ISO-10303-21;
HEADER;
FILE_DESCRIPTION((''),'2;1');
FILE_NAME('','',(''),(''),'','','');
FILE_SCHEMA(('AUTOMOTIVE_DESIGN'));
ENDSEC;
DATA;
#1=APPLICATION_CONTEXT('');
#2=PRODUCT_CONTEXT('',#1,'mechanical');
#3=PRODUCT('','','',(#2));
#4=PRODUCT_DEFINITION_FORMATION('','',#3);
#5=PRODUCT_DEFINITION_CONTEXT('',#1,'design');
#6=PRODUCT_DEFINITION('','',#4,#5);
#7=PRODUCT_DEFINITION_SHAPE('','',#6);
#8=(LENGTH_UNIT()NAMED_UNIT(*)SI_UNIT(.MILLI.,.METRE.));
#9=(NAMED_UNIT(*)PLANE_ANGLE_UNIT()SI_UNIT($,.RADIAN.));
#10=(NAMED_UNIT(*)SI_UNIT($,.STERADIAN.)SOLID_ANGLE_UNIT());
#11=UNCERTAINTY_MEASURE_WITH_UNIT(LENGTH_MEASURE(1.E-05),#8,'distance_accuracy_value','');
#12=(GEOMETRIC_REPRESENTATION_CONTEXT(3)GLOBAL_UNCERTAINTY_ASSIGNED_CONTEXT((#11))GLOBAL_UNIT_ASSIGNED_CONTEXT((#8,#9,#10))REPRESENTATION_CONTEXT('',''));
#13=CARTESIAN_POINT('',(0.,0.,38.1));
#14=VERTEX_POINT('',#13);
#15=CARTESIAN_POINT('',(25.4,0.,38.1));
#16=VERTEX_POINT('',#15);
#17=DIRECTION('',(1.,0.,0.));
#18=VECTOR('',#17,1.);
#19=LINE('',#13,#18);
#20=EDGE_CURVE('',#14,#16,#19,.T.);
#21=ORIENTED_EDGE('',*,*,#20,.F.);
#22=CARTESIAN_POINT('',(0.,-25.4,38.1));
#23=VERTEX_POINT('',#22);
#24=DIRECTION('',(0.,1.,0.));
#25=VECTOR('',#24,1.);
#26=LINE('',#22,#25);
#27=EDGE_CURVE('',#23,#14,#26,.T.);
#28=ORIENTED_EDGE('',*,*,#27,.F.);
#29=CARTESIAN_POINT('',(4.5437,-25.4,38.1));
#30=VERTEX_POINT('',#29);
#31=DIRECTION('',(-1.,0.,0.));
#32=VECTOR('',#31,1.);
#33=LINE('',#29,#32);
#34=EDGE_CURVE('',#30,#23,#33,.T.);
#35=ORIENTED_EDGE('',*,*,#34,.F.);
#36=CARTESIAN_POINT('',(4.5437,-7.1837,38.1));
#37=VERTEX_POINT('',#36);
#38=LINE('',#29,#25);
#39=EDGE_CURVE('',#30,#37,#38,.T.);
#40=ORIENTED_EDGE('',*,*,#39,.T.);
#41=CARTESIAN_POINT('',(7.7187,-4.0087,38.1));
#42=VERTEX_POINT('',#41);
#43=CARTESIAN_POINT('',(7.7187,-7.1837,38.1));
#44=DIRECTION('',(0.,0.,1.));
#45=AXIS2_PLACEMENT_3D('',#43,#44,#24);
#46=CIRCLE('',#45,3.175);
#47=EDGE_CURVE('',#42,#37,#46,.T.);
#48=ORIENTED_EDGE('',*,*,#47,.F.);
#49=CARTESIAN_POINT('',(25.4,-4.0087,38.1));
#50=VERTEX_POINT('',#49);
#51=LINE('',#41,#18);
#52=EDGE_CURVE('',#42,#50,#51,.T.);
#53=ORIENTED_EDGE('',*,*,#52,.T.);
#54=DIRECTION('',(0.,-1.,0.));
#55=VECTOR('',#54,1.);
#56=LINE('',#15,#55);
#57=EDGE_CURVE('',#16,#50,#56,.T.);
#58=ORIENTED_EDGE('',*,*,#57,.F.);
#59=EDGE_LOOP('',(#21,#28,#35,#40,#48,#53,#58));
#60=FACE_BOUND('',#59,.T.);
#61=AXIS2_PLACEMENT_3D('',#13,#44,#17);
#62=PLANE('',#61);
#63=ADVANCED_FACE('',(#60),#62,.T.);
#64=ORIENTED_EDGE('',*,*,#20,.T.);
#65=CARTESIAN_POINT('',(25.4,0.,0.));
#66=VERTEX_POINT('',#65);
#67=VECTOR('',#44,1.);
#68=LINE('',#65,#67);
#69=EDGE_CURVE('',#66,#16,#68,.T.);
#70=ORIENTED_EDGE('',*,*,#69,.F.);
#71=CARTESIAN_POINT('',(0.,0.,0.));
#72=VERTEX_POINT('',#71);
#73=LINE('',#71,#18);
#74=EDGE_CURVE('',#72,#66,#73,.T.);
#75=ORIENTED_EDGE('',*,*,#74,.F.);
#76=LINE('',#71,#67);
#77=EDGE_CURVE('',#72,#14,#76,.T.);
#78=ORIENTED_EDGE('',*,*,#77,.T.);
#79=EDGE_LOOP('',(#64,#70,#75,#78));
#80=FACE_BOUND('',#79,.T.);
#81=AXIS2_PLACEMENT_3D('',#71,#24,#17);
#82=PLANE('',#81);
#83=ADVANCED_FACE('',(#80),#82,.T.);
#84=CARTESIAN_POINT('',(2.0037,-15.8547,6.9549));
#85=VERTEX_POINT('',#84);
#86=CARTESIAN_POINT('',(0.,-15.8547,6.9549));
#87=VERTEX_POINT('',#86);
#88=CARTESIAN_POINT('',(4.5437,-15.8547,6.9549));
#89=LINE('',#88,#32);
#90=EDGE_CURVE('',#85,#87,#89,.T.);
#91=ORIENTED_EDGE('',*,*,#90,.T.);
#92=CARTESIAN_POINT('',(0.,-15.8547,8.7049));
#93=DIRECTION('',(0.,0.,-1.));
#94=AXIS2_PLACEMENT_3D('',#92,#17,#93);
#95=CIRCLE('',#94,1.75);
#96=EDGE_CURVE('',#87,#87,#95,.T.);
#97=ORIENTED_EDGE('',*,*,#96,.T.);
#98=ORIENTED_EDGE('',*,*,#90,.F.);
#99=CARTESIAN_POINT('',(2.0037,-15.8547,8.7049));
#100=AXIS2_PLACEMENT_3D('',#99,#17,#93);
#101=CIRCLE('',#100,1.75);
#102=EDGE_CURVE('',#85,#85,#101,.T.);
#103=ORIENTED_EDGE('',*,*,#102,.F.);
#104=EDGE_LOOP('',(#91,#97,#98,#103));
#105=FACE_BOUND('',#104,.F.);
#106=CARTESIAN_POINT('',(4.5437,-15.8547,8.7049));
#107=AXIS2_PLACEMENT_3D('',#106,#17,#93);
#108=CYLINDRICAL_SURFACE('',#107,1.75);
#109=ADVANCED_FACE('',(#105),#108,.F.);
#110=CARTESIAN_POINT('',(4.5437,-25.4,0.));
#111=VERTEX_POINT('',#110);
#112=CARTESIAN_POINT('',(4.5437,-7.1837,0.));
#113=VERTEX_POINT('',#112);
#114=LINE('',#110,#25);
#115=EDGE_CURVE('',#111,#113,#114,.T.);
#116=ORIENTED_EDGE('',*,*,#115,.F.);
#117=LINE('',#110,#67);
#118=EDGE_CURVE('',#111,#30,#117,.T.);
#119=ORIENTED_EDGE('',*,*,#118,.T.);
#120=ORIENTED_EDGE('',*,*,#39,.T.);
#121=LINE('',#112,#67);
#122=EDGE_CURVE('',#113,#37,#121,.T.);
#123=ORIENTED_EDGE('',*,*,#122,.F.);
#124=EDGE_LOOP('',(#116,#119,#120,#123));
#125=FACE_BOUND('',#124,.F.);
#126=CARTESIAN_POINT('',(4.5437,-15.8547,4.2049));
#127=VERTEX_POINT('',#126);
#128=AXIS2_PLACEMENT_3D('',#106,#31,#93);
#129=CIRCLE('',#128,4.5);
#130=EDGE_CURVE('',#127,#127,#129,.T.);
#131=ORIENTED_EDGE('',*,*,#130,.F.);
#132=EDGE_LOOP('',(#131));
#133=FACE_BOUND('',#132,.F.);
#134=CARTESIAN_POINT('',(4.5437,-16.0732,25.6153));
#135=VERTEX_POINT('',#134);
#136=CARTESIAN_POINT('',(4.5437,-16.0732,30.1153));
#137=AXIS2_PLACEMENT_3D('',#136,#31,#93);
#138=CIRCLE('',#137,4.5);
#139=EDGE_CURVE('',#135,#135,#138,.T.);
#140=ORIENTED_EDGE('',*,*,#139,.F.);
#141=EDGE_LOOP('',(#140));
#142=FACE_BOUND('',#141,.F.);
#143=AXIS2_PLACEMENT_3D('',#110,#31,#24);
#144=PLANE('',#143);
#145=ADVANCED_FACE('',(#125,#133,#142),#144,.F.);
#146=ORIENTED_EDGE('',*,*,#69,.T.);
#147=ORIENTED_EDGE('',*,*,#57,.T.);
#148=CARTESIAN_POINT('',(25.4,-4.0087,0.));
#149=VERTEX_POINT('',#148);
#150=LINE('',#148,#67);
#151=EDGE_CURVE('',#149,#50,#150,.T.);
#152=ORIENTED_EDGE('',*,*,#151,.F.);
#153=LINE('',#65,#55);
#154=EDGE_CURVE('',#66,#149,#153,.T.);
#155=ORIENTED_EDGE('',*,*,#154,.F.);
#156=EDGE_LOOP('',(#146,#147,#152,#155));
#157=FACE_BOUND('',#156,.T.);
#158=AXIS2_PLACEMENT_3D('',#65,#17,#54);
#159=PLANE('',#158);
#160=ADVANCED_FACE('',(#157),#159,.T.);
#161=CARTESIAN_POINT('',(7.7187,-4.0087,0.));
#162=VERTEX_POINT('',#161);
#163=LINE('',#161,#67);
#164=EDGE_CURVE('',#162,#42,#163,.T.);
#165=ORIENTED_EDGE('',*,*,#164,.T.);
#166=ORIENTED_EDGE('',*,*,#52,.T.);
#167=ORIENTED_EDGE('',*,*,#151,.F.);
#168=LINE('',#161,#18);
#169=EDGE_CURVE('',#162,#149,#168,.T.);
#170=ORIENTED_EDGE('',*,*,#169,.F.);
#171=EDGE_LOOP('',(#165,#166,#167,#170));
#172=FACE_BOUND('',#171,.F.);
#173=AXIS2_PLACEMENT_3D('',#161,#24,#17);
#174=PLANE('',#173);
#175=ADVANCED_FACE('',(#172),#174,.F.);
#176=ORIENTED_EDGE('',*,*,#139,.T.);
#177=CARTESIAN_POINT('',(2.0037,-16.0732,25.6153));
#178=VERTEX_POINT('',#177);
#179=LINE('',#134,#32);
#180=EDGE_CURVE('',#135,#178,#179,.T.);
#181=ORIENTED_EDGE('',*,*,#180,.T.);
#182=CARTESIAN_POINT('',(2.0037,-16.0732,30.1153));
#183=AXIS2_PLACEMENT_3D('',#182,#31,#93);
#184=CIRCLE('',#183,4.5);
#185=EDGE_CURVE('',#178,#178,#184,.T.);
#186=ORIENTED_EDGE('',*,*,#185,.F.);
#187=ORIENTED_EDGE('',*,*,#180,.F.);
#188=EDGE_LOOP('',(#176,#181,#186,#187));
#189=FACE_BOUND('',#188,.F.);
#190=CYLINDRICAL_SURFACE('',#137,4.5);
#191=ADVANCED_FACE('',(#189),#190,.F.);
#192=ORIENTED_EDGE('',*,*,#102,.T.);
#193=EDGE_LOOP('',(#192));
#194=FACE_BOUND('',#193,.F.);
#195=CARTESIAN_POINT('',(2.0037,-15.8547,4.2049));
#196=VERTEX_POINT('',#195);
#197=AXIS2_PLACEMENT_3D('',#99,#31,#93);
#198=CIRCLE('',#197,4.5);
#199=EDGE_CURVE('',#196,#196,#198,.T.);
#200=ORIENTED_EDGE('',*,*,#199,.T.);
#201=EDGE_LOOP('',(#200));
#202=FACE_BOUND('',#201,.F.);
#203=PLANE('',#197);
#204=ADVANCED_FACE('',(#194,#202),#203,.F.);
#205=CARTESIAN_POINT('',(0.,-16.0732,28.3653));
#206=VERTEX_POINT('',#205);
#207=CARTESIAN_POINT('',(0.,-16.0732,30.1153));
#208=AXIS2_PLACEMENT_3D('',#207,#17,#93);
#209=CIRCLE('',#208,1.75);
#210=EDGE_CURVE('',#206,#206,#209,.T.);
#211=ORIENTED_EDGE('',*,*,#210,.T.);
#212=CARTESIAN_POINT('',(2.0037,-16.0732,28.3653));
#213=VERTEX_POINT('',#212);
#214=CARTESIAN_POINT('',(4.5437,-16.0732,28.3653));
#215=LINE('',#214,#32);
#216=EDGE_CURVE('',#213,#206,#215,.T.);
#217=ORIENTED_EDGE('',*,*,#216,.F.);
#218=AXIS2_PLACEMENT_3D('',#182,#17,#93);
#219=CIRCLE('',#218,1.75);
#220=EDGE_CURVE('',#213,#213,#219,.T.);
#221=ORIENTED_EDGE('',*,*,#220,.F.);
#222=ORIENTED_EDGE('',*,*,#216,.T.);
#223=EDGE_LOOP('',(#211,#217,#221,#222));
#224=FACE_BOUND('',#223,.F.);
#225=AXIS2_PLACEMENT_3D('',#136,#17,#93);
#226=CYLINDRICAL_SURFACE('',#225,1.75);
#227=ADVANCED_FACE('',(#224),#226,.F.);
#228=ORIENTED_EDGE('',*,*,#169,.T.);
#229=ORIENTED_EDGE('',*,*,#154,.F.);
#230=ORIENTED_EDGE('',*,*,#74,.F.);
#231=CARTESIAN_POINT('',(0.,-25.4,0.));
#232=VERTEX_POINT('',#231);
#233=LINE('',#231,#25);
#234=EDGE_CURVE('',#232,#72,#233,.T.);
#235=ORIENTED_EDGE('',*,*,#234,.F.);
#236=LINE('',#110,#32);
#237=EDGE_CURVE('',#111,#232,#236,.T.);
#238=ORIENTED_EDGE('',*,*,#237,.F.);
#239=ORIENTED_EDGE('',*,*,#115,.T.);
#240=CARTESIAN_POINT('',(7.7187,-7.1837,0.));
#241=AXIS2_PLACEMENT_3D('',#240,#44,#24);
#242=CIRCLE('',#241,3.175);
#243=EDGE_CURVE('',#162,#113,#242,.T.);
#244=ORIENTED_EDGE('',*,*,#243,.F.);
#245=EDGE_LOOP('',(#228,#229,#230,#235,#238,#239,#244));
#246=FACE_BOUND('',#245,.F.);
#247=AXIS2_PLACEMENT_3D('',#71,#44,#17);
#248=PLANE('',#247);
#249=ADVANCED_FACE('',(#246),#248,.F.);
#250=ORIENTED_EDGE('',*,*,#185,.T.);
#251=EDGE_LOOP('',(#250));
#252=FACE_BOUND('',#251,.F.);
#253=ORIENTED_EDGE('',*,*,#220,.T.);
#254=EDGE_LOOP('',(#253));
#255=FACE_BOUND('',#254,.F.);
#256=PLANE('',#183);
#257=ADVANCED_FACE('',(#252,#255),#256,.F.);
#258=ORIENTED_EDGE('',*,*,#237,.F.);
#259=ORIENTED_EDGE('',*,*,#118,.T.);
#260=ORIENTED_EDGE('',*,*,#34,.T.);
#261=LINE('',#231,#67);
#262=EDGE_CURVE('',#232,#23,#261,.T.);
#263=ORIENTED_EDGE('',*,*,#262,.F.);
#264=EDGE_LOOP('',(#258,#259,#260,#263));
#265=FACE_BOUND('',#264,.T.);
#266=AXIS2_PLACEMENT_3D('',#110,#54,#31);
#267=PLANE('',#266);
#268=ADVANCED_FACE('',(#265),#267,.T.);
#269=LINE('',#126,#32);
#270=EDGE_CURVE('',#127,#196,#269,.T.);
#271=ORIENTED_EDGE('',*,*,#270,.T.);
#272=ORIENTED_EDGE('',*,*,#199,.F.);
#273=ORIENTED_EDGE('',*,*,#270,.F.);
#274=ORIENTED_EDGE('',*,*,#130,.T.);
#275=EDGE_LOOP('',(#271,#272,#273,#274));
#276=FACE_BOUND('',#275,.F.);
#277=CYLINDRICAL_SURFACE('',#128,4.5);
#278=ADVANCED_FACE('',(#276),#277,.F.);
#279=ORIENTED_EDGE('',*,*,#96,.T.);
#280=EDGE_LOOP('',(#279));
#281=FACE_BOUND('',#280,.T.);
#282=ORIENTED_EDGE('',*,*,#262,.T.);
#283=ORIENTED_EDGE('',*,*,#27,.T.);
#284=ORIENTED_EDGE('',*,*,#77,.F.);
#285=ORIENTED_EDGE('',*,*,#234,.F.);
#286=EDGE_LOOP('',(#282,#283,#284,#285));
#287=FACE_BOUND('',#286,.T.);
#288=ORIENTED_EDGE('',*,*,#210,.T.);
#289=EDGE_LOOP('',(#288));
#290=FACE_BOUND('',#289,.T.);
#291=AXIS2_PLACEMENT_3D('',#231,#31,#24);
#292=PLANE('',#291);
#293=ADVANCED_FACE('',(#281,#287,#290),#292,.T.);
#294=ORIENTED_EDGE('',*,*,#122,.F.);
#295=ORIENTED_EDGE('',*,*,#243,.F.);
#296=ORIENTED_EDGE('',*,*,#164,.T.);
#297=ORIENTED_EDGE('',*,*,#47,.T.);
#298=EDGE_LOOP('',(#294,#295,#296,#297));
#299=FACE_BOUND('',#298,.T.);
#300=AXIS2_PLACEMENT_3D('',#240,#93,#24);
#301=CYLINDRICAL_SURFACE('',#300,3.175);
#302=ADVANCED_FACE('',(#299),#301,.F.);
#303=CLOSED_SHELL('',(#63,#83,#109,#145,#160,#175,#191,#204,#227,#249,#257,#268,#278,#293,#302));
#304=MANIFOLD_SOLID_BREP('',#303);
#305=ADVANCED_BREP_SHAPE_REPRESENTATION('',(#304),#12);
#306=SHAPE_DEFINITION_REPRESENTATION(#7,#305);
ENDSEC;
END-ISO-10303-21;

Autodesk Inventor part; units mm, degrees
ref_plane "YZ Plane" through (0, 0, 0) normal (1, 0, 0) x (0, 1, 0)
ref_plane "XZ Plane" through (0, 0, 0) normal (0, 1, 0) x (-1, 0, 0)
ref_plane "XY Plane" through (0, 0, 0) normal (0, 0, 1) x (1, 0, 0)
sketch "Sketch1" plane through (0, 0, 0) normal (0, 0, 1) x (1, 0, 0)
  line L0 (0, 0) -> (25.4, 0)
  line L1 (25.4, 0) -> (25.4, -4.0087)
  line L2 (0, -25.4) -> (0, 0)
  line L3 (4.5437, -25.4) -> (0, -25.4)
  line L4 (4.5437, -25.4) -> (4.5437, -7.1837)
  line L5 (7.7187, -4.0087) -> (25.4, -4.0087)
  arc A0 (7.7187, -4.0087) -> (4.5437, -7.1837) centre (7.7187, -7.1837) ccw
  dimension "d3" = 3.175
extrude "Extrusion1" add sketch "Sketch1" along normal blind 38.1
sketch "Sketch2" plane through (4.5437, -25.4, 0) normal (1, 0, 0) x (0, 0, -1)
  circle A0 centre (-30.1153, 9.3268) radius 1.75
  circle A1 centre (-8.7049, 9.5453) radius 1.75
  point P0 (0, 25.4)
  dimension "d6" = 3.5
  dimension "d7" = 3.5
extrude "Extrusion2" cut sketch "Sketch2" against normal blind 38.1
hole "Hole1" at (4.5437, -16.0732, 30.1153) at (4.5437, -15.8547, 8.7049) direction (-1, 0, 0) diameter 9 depth 2.54
properties part number "Gyro Mount"
